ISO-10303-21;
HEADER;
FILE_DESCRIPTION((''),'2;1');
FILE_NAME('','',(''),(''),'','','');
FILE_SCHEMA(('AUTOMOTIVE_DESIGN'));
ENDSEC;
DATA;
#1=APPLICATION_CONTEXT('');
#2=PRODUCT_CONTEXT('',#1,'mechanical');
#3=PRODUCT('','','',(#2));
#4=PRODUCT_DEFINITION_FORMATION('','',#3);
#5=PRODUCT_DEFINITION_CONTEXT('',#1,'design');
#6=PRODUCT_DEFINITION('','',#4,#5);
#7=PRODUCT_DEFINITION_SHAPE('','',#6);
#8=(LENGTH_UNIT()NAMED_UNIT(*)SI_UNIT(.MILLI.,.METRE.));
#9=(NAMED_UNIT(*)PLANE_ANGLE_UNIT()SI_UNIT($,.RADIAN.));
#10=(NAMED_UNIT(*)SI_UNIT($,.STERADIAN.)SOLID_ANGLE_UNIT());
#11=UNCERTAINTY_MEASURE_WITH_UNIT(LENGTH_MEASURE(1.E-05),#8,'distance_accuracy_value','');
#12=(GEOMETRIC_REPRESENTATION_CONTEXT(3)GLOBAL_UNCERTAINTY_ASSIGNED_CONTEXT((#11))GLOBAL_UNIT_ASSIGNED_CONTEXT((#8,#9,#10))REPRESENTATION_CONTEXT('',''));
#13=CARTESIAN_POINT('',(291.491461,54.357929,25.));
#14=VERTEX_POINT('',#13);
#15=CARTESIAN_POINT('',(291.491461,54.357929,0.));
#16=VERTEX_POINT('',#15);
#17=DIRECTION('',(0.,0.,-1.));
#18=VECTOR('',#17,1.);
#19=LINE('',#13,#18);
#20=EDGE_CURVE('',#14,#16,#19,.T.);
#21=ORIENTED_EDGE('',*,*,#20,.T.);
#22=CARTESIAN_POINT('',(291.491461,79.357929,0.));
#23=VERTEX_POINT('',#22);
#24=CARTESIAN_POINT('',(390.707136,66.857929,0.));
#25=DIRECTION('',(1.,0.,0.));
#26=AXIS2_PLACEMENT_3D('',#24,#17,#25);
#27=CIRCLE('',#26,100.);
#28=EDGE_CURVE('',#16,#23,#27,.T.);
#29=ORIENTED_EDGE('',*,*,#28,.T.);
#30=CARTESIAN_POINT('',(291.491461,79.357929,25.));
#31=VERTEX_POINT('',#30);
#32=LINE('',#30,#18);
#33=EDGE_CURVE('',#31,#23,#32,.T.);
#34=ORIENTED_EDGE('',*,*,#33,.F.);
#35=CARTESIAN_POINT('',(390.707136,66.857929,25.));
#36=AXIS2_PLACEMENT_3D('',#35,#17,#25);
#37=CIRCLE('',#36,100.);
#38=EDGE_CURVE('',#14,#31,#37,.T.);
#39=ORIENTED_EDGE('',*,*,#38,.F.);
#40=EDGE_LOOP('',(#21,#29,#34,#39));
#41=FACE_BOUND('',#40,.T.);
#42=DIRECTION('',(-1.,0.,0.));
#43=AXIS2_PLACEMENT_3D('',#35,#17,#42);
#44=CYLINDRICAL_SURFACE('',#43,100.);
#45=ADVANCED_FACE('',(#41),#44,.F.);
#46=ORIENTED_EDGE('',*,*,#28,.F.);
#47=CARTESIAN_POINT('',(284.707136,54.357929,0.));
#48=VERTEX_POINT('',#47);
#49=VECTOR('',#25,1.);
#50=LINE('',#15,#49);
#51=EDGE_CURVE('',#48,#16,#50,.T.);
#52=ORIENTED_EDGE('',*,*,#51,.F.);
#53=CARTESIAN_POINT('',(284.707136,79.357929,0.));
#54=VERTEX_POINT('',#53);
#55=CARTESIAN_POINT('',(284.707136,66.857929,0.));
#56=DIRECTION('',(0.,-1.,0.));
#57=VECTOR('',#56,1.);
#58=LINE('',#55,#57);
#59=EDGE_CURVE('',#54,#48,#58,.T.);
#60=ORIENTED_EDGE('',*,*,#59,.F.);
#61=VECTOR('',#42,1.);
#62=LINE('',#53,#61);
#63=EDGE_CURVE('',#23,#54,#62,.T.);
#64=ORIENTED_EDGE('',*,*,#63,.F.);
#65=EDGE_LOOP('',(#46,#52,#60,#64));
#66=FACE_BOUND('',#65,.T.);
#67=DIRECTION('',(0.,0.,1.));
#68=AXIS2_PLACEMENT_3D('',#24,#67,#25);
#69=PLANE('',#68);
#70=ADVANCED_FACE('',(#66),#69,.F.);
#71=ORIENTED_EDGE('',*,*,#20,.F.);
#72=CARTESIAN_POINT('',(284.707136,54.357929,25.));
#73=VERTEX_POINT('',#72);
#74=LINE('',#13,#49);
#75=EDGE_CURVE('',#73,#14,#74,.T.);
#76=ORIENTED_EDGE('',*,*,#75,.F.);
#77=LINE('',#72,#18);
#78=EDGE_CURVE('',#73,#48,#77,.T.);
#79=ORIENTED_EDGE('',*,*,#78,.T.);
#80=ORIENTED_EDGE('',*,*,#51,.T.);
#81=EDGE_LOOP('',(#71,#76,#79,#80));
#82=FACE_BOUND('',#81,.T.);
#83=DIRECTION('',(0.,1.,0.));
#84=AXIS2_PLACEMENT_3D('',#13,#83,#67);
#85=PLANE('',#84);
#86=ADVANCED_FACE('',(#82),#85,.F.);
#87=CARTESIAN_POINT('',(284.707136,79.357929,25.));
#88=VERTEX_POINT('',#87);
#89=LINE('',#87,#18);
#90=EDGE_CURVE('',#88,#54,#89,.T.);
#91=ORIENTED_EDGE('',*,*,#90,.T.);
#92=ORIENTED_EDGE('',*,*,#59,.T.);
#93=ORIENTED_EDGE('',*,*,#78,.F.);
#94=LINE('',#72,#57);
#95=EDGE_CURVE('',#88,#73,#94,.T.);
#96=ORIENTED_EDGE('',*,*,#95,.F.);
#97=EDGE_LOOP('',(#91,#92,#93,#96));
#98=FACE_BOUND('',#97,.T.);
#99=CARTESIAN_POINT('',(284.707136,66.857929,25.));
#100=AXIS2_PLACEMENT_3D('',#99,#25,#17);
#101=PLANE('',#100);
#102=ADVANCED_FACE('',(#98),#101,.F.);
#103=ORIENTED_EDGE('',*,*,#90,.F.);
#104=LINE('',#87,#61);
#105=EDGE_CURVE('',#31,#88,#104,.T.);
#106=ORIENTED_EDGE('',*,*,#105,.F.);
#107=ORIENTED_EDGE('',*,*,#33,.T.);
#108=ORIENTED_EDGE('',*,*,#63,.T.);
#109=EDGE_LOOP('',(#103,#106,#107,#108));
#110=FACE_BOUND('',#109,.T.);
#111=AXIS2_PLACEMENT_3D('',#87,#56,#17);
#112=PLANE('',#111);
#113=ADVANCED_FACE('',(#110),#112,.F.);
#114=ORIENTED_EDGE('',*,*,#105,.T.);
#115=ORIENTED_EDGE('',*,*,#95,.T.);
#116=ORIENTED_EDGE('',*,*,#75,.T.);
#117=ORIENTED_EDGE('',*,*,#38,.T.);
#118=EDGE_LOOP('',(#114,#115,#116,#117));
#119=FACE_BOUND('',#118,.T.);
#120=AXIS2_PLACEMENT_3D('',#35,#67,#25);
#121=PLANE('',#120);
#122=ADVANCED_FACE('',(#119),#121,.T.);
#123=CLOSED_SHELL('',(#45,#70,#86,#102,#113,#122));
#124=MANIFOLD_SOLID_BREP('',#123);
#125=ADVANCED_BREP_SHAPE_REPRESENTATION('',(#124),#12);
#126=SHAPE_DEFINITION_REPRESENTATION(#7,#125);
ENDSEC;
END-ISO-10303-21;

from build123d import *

# Parameters (mm, degrees)
EXTRUDE_1_DEPTH = 25


with BuildPart() as part:
    # 草图1 → 凸台-拉伸1 (new body)
    with BuildSketch(Plane.XY):
        with BuildLine():
            Line((284.707135631, 66.857929268), (284.707135631, 79.357929268))
            Line((284.707135631, 79.357929268), (291.491461496, 79.357929268))
            ThreePointArc((291.491461496, 79.357929268), (290.707135661, 66.857929268), (291.491461496, 54.357929268))
            Line((291.491461496, 54.357929268), (284.707135631, 54.357929268))
            Line((284.707135631, 54.357929268), (284.707135631, 66.857929268))
        make_face()
    extrude(amount=EXTRUDE_1_DEPTH)


solid = part.part
